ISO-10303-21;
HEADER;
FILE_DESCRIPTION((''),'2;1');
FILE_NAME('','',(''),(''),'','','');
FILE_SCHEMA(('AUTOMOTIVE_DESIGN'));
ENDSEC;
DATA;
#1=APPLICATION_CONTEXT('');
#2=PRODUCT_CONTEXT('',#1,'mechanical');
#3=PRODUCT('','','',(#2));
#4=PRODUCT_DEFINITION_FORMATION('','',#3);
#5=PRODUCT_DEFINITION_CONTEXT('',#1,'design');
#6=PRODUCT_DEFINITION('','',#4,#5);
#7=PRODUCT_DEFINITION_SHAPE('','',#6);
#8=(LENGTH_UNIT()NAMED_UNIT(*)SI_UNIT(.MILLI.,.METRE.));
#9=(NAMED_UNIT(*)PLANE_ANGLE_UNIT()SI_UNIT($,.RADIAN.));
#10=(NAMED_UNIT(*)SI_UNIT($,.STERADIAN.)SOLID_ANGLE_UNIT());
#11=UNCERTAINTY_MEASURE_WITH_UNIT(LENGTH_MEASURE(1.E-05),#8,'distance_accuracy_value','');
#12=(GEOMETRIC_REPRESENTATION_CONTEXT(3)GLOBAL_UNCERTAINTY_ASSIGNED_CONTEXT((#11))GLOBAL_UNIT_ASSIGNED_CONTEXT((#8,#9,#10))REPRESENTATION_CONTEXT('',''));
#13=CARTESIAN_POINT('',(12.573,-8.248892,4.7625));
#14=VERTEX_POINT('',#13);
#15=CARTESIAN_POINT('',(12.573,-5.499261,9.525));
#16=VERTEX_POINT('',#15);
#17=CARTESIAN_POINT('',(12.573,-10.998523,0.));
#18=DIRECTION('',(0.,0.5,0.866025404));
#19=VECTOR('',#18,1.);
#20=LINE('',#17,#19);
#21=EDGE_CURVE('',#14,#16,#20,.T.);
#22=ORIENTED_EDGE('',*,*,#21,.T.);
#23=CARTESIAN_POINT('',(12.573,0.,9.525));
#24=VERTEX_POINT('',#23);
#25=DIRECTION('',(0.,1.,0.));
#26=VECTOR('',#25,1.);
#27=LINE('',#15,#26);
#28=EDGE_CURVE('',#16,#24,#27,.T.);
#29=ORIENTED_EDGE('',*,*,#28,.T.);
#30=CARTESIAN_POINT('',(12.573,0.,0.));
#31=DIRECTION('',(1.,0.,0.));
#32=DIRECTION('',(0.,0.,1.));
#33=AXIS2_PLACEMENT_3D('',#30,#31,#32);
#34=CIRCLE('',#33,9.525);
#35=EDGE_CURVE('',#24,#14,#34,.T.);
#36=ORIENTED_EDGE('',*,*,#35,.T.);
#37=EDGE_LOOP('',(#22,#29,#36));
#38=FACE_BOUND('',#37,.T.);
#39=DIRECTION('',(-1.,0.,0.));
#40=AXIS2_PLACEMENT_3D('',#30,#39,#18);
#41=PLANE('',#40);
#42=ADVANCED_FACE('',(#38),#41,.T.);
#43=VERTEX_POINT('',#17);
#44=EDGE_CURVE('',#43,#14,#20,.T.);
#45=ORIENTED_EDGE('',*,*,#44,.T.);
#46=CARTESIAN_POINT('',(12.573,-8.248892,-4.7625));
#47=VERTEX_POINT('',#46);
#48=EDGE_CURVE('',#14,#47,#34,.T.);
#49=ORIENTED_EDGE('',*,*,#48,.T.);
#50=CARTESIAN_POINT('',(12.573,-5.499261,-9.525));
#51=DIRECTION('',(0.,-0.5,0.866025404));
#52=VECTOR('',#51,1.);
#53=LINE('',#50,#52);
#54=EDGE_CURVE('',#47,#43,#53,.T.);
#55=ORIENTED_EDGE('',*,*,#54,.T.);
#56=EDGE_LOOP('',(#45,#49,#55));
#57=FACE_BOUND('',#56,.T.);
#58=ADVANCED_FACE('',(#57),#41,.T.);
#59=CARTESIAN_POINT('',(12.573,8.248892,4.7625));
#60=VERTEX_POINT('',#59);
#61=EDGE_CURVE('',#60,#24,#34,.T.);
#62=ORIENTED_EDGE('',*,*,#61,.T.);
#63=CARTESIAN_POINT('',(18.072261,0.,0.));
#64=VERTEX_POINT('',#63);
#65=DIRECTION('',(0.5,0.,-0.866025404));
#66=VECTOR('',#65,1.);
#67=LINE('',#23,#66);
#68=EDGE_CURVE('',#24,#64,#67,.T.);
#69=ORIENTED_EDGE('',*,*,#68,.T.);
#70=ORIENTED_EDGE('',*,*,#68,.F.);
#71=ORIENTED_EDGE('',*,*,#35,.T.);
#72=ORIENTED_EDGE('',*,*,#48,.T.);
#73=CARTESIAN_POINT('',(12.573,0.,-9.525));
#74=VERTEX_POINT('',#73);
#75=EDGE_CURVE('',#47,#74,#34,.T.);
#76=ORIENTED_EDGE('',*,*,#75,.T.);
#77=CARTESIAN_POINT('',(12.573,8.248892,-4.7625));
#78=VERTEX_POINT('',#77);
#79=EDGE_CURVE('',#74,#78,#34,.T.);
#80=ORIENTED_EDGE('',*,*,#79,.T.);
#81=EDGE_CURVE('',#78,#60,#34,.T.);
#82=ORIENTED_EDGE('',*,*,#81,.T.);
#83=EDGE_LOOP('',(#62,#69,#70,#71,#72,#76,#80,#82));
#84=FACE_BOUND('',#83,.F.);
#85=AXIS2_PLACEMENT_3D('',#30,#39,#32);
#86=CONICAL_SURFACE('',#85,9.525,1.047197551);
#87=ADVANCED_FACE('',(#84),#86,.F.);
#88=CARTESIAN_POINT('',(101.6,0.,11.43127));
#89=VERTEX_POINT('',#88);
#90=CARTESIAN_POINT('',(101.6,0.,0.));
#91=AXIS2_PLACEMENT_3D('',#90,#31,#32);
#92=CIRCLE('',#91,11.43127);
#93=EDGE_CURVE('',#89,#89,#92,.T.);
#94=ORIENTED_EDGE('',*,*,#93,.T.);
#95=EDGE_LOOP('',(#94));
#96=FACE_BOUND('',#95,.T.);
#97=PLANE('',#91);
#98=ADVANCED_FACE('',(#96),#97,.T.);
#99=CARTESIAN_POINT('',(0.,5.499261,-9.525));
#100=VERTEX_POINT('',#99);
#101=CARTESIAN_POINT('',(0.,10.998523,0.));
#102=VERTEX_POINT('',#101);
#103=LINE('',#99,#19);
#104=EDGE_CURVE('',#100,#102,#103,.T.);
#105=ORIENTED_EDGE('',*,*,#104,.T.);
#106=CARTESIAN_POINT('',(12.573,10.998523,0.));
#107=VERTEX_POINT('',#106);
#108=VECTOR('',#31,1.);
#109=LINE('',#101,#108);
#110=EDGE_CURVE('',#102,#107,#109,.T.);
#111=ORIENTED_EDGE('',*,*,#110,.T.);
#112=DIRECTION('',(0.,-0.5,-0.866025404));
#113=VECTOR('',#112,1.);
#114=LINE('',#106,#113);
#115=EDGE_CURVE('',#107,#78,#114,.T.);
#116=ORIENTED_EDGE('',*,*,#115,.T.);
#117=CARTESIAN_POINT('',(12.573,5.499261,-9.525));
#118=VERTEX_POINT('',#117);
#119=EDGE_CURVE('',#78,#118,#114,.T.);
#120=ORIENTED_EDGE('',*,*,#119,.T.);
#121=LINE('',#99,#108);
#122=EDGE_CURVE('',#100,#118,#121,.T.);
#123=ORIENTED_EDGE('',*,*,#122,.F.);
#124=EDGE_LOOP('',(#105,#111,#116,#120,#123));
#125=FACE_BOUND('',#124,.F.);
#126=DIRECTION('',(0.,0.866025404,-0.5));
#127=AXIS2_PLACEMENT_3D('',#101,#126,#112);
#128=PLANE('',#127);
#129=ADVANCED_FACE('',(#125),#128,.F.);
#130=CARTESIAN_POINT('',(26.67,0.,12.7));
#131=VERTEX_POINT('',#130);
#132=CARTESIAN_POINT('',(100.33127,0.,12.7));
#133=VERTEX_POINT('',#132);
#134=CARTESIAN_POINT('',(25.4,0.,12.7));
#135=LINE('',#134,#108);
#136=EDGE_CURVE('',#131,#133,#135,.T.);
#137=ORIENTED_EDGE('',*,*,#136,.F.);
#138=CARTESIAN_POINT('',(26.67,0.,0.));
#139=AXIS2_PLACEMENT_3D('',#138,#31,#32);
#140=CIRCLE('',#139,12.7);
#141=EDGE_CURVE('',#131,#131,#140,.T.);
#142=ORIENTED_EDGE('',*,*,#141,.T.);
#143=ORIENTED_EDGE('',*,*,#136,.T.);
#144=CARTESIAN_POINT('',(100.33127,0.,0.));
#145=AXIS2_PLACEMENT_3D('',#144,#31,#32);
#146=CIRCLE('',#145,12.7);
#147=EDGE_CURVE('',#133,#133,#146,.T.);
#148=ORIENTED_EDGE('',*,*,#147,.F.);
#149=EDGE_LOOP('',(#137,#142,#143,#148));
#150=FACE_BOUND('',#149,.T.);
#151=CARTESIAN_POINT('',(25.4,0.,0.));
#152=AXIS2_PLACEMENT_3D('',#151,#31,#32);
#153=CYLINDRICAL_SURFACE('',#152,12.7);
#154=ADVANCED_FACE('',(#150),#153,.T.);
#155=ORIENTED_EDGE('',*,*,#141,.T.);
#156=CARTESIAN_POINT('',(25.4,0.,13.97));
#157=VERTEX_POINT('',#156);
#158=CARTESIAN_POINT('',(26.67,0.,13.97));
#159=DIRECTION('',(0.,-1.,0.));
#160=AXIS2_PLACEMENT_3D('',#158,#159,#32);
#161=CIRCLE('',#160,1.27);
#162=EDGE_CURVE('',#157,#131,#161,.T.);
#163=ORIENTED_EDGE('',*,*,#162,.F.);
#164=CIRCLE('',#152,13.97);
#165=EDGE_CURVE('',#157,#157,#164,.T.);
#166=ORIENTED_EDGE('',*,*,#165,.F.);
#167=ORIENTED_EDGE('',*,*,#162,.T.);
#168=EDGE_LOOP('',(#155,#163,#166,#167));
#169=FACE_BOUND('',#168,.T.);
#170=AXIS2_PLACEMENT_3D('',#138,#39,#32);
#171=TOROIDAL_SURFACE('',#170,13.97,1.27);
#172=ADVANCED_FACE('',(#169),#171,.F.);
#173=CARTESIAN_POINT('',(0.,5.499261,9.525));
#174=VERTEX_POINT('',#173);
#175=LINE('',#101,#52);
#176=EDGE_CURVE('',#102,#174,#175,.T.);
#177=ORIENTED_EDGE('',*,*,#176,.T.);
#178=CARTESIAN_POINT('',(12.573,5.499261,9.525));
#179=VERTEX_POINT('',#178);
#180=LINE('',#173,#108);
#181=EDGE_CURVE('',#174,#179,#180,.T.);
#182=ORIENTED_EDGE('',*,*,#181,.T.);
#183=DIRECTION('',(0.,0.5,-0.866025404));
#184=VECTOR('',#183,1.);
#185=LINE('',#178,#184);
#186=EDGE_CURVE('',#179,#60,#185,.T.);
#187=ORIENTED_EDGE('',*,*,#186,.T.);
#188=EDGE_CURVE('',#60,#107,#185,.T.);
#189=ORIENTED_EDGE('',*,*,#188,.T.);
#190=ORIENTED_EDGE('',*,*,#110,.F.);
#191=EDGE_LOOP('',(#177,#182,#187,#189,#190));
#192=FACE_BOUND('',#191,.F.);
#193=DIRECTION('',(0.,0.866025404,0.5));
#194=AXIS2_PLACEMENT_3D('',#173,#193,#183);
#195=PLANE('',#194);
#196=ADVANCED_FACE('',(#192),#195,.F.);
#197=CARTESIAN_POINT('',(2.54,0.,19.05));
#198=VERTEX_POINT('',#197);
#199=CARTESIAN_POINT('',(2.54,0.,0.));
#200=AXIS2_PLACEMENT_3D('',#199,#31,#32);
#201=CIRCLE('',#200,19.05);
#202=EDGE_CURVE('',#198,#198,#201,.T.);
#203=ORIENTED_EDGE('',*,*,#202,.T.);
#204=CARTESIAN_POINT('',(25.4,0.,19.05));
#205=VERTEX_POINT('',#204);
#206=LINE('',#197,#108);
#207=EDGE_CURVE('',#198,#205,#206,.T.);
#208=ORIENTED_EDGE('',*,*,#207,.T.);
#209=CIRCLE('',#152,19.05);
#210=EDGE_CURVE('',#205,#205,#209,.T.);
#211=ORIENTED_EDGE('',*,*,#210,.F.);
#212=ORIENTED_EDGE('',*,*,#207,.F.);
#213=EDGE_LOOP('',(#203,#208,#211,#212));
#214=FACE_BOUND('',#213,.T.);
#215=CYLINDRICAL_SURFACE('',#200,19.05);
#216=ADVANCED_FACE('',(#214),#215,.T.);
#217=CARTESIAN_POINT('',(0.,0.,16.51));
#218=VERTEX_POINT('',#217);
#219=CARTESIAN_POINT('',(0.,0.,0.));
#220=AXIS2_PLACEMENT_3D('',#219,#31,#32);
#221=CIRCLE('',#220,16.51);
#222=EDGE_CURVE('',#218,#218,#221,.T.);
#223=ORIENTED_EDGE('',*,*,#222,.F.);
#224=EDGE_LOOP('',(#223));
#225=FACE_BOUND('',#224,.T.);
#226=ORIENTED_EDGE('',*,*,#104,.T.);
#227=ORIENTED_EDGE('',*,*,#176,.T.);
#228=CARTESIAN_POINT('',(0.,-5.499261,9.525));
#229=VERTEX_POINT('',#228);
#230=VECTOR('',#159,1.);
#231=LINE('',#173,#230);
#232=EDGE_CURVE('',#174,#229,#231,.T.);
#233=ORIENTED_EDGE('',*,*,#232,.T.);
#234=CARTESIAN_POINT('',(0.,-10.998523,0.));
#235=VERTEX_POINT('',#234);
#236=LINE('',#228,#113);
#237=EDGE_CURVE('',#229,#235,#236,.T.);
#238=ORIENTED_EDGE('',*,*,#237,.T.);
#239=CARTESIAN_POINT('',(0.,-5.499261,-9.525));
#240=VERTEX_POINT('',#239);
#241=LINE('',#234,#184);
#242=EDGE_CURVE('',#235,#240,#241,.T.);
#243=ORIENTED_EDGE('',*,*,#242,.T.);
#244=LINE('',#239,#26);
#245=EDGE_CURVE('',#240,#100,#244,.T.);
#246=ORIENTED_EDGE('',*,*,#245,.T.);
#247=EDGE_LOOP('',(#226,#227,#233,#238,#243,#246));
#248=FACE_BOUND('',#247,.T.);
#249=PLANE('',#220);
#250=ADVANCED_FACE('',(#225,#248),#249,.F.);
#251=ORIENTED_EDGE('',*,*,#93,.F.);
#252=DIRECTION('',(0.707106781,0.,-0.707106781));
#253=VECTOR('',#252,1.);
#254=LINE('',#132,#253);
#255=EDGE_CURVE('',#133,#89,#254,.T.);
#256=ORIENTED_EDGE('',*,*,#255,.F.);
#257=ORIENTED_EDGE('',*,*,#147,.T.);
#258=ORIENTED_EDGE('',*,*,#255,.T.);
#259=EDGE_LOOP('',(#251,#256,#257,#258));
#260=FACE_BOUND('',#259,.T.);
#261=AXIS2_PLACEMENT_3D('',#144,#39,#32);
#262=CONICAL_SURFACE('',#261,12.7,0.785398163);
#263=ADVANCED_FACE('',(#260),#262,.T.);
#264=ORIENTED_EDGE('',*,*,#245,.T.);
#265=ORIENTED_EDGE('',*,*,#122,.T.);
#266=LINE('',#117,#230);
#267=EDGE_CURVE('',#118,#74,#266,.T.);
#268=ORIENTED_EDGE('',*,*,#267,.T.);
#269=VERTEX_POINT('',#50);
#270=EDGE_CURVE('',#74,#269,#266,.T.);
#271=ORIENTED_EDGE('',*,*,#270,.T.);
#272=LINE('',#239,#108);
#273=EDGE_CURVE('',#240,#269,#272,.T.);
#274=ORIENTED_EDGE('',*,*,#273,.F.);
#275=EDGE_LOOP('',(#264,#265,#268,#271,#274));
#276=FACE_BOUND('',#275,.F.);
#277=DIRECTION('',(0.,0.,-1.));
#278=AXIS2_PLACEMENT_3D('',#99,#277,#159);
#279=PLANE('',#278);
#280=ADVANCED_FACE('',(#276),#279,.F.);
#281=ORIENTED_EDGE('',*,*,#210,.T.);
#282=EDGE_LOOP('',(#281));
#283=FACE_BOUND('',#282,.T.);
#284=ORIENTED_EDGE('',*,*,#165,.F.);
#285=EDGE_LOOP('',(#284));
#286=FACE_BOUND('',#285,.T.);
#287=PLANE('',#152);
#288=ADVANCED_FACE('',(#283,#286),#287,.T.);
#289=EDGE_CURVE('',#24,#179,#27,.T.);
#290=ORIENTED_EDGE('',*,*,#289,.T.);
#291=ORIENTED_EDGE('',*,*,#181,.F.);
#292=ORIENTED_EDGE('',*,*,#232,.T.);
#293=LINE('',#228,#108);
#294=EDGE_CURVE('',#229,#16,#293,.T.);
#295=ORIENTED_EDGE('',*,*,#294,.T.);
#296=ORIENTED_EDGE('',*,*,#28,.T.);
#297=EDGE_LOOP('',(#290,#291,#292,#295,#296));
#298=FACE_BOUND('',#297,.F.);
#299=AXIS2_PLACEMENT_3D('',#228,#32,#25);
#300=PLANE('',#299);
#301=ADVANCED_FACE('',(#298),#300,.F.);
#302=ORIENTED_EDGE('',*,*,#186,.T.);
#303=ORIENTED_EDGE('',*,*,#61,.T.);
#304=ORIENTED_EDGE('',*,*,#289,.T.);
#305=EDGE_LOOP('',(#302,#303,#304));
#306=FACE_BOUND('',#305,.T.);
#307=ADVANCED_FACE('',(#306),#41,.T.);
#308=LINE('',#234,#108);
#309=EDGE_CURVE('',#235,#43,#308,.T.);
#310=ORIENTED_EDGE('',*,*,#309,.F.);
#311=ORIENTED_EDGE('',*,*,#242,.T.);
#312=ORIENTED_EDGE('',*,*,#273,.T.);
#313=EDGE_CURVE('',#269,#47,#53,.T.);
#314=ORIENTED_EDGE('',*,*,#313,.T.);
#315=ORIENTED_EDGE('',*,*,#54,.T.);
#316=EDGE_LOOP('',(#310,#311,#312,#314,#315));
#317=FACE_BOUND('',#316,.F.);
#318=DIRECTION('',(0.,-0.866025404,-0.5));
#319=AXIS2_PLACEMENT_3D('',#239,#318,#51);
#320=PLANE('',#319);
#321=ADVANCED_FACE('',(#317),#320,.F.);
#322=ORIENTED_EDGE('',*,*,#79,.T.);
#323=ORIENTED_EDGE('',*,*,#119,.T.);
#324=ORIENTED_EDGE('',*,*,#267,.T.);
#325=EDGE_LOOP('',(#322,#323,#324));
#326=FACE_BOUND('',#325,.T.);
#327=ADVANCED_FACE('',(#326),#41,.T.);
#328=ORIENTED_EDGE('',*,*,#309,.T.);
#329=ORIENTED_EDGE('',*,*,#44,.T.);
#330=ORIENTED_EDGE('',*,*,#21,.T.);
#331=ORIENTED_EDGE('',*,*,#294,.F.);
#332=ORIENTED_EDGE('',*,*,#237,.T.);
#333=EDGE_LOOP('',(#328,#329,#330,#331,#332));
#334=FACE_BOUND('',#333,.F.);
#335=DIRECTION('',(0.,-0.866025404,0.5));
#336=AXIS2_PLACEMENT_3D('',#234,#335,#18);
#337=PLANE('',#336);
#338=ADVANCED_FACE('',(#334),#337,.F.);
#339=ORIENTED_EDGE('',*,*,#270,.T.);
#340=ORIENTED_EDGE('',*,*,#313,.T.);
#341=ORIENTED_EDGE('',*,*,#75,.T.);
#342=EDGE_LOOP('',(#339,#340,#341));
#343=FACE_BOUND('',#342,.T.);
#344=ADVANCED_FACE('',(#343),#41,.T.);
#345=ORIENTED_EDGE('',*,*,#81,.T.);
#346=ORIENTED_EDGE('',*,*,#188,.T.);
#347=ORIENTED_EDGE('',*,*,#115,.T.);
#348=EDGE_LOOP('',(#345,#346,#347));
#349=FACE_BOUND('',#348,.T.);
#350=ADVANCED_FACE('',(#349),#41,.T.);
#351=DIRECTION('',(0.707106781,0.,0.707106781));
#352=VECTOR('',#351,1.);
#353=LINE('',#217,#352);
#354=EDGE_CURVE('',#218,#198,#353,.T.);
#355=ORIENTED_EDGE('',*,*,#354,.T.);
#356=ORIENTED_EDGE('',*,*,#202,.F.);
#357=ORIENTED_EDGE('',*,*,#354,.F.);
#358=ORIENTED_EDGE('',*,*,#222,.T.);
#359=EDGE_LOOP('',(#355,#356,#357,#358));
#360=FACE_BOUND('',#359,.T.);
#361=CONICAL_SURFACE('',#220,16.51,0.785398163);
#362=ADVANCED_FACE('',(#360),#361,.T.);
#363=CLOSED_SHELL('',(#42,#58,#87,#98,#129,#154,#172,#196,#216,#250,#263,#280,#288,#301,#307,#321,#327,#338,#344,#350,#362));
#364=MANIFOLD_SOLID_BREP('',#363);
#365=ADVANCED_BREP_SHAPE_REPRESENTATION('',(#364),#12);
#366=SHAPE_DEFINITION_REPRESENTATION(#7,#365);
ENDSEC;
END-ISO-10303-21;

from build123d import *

# Parameters (mm, degrees)
FILLET1_R   = 1.27
HEX_2_DEPTH = 12.573


with BuildPart() as part:
    # BodySke → Base-Revolve (revolve)
    with BuildSketch(Plane.XY, mode=Mode.PRIVATE) as base_revolve_sk:
        Polygon((0, 0), (0, 16.51), (2.54, 19.05), (25.4, 19.05), (25.4, 12.7), (100.33127, 12.7), (101.6, 11.43127), (101.6, 0), align=None)
    revolve(base_revolve_sk.sketch.rotate(Axis((-31.75, 0, 0), (1, 0, 0)), 90), axis=Axis((-31.75, 0, 0), (1, 0, 0)))  # turned: the seam where the file's is

    # Fillet1
    fillet1_edges = [part.edges().sort_by_distance(p)[0] for p in [
        (25.4, 0, -12.7),
    ]]
    fillet(fillet1_edges, radius=FILLET1_R)

    # Sketch2 → Hex-PreBroach (revolve, cut)
    with BuildSketch(Plane.XY, mode=Mode.PRIVATE) as hex_prebroach_sk:
        Polygon((0, 9.525), (12.573, 9.525), (18.072261314, 0), (0, 0), align=None)
    revolve(hex_prebroach_sk.sketch.rotate(Axis((0, 0, 0), (1, 0, 0)), 90), axis=Axis((0, 0, 0), (1, 0, 0)), mode=Mode.SUBTRACT)  # turned: the seam where the file's is

    # Sketch3 → Hex 2 (cut)
    with BuildSketch(Plane(origin=(0, 0, 0), x_dir=(0, 0.5, 0.866025404), z_dir=(-1, 0, 0))):
        Polygon((5.499261314, 9.525), (-5.499261314, 9.525), (-10.998522628, 0), (-5.499261314, -9.525), (5.499261314, -9.525), (10.998522628, 0), align=None)
    extrude(amount=-HEX_2_DEPTH, mode=Mode.SUBTRACT)


solid = part.part
